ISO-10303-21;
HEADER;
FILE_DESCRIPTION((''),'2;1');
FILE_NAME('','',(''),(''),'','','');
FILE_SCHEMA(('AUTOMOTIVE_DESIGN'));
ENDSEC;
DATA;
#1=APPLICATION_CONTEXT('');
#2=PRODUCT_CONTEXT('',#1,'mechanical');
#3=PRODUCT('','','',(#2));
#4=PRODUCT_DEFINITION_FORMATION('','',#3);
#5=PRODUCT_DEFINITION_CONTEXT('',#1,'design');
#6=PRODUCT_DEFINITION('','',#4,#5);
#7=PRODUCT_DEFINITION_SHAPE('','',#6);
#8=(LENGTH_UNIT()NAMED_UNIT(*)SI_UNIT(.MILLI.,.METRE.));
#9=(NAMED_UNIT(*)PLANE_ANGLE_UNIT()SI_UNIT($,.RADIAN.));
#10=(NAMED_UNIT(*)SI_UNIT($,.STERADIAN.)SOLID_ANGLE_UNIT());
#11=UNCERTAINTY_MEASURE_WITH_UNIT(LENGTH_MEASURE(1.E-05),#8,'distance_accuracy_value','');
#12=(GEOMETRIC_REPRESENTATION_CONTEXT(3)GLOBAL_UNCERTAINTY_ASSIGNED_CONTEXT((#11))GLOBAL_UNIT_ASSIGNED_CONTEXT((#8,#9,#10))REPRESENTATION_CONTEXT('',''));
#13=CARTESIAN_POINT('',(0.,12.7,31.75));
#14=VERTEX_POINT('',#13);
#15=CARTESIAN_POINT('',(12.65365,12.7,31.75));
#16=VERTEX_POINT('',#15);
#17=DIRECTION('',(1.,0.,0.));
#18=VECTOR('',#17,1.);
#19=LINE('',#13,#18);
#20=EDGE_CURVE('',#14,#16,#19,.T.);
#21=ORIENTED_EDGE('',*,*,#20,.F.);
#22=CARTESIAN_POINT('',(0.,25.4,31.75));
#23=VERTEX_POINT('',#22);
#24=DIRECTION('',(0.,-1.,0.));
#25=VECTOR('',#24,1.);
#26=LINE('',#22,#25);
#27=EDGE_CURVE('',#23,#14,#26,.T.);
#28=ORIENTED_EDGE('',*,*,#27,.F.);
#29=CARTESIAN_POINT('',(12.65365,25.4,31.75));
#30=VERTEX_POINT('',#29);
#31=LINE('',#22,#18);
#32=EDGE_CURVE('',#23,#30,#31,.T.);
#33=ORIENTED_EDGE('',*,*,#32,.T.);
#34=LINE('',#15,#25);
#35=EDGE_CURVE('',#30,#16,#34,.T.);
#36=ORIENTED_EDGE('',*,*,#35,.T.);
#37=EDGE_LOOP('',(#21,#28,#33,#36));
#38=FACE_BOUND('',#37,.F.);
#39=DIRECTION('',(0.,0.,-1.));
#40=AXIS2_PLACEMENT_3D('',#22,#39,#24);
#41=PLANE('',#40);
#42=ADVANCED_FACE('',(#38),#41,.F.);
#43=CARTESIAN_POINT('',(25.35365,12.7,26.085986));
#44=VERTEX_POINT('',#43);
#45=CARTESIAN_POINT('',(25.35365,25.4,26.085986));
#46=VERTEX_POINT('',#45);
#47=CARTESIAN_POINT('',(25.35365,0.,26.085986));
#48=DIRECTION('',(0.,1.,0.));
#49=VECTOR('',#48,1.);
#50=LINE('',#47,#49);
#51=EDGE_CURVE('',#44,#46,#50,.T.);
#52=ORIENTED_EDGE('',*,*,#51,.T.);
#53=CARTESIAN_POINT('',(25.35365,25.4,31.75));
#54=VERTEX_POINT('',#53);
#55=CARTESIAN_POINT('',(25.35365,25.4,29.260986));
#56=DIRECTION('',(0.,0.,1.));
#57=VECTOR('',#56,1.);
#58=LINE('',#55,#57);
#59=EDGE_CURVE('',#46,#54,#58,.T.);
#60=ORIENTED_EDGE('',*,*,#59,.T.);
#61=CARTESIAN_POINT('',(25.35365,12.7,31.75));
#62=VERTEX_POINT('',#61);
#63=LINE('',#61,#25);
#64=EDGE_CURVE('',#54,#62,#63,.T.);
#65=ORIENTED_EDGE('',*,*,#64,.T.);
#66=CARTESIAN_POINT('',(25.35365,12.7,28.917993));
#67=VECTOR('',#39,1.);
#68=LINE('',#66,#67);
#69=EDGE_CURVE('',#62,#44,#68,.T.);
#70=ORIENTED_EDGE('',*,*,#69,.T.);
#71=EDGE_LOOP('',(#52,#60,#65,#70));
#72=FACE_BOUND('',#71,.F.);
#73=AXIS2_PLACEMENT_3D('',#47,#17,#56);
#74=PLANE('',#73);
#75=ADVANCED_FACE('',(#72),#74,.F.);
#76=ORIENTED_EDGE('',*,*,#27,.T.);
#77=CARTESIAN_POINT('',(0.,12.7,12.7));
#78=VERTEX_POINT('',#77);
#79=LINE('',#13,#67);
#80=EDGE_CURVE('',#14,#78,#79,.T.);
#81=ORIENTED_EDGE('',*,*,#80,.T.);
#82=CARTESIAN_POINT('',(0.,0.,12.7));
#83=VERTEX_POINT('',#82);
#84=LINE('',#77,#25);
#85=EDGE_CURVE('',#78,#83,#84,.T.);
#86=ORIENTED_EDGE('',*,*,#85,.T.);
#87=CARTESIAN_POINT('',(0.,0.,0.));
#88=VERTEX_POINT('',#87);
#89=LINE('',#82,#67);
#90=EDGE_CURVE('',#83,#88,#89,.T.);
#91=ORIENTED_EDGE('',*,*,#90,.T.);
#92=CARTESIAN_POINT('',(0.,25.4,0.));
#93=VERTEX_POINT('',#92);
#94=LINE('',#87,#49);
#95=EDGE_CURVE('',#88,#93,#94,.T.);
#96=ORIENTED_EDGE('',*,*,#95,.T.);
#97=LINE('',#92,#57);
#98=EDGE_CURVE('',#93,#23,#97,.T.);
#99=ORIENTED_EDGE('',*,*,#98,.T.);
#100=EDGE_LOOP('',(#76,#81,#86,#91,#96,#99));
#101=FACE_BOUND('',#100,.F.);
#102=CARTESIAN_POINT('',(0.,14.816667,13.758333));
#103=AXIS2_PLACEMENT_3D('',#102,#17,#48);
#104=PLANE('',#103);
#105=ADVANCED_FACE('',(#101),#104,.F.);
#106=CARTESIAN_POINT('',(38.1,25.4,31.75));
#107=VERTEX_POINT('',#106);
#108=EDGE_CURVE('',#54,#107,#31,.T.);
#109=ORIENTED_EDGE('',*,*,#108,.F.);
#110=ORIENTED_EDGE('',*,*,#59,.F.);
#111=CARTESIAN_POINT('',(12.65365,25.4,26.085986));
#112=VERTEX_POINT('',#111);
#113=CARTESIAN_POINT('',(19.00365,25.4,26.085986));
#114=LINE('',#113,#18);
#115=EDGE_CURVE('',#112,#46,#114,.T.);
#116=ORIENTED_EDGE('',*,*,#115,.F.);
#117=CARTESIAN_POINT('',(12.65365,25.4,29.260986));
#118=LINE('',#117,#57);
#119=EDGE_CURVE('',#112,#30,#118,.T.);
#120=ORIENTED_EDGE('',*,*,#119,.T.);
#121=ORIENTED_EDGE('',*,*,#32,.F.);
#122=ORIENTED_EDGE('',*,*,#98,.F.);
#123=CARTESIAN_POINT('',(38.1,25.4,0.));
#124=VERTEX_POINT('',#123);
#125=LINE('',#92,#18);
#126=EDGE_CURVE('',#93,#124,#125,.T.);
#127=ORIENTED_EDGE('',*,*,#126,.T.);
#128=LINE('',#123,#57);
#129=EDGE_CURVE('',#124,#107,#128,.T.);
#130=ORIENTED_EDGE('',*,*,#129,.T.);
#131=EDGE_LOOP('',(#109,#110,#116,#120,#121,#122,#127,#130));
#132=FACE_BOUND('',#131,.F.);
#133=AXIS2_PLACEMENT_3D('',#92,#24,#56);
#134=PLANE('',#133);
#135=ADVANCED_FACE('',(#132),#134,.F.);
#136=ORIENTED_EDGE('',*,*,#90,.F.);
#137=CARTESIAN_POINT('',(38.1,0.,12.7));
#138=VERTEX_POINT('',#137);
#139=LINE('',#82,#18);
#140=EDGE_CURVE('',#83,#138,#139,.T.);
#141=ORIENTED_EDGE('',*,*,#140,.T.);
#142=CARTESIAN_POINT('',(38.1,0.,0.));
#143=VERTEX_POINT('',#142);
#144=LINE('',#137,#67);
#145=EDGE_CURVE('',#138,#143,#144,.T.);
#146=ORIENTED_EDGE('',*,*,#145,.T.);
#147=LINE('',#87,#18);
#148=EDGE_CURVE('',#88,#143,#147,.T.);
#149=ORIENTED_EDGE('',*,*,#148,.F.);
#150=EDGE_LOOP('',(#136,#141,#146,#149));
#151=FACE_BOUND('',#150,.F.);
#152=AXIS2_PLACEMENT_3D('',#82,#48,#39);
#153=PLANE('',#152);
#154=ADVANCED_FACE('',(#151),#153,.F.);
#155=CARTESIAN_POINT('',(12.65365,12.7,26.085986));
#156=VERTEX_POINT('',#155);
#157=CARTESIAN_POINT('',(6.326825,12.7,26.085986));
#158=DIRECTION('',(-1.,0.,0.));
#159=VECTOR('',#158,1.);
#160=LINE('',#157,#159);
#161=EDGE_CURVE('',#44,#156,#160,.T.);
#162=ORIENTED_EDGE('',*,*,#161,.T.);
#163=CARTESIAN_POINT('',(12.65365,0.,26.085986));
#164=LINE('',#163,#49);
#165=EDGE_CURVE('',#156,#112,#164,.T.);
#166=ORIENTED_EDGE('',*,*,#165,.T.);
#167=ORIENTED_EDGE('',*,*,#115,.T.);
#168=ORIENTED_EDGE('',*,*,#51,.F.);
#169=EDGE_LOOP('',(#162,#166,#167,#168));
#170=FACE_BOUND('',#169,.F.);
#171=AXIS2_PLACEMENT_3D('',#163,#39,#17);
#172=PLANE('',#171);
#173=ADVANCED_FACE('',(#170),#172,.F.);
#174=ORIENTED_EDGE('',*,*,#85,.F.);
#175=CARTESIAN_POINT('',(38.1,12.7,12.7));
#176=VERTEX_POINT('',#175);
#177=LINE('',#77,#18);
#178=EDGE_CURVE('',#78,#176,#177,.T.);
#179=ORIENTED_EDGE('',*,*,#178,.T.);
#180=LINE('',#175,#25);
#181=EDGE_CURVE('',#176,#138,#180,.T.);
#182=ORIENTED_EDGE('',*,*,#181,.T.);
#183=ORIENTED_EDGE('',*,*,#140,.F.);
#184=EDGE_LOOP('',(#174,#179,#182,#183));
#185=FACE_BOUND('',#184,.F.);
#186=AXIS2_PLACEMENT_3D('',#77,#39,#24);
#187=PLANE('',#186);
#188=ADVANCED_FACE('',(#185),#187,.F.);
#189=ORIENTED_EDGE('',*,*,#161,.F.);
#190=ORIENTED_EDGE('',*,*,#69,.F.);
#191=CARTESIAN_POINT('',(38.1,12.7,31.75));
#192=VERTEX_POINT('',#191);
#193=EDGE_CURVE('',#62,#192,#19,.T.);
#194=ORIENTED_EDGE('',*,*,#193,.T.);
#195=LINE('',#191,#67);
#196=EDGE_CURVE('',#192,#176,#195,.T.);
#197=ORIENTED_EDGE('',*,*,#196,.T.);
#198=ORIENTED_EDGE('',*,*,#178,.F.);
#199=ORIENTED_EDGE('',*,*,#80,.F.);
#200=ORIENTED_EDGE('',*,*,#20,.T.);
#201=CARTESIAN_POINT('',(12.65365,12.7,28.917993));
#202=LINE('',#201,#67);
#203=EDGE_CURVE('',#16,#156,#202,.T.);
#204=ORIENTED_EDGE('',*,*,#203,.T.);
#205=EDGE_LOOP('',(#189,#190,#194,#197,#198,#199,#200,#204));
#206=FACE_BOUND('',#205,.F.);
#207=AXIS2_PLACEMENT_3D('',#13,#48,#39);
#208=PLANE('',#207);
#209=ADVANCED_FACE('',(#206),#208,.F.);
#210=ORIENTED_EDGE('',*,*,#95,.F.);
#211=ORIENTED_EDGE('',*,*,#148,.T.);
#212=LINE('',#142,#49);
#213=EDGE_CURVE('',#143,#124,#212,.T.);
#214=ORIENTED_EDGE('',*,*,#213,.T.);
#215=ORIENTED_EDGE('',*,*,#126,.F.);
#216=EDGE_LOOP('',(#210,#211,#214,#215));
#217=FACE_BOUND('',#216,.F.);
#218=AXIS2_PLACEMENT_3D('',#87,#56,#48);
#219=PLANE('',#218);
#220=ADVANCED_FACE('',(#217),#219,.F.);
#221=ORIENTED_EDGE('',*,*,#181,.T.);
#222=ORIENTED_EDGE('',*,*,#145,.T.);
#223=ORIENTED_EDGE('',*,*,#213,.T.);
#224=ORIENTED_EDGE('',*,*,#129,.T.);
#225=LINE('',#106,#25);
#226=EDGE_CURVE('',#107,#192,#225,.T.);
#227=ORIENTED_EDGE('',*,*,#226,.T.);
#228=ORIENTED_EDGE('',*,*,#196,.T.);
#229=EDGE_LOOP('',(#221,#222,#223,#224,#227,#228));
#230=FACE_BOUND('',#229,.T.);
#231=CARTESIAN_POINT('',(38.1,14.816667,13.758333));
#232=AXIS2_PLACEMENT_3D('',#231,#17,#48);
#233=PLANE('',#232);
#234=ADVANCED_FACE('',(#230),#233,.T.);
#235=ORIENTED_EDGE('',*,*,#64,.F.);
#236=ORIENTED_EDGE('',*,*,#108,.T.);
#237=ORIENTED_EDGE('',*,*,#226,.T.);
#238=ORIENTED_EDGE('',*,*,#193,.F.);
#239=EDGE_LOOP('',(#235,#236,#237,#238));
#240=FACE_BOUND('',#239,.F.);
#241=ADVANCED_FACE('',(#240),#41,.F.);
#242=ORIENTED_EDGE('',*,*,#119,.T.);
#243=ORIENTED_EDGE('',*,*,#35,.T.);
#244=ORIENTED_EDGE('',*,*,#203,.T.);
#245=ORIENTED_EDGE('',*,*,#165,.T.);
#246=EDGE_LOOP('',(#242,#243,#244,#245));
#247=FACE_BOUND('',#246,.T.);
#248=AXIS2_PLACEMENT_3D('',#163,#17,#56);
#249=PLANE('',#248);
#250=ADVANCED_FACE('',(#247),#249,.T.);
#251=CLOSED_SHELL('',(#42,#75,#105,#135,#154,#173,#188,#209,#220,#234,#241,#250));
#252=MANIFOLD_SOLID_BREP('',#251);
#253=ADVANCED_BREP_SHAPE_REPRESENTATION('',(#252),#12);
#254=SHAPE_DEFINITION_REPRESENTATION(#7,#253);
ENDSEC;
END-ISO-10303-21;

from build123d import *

# Parameters (mm, degrees)
F1_DEPTH = 38.1
F2_W     = 12.7
F2_H     = 6.35
F3_DEPTH = 25.4


with BuildPart() as f1:
    # F0 (on Right) → F1 (new body)
    with BuildSketch(Plane.YZ):
        Polygon((0, 12.7), (0, 0), (25.4, 0), (25.4, 31.75), (12.7, 31.75), (12.7, 12.7), align=None)
    extrude(amount=F1_DEPTH)

    # F2 (on Front) → F3 (cut)
    with BuildSketch(Plane.XZ):
        with Locations((19.00365, 29.260986)):
            Rectangle(F2_W, F2_H)
    extrude(amount=-F3_DEPTH, mode=Mode.SUBTRACT)


solid = f1.part
